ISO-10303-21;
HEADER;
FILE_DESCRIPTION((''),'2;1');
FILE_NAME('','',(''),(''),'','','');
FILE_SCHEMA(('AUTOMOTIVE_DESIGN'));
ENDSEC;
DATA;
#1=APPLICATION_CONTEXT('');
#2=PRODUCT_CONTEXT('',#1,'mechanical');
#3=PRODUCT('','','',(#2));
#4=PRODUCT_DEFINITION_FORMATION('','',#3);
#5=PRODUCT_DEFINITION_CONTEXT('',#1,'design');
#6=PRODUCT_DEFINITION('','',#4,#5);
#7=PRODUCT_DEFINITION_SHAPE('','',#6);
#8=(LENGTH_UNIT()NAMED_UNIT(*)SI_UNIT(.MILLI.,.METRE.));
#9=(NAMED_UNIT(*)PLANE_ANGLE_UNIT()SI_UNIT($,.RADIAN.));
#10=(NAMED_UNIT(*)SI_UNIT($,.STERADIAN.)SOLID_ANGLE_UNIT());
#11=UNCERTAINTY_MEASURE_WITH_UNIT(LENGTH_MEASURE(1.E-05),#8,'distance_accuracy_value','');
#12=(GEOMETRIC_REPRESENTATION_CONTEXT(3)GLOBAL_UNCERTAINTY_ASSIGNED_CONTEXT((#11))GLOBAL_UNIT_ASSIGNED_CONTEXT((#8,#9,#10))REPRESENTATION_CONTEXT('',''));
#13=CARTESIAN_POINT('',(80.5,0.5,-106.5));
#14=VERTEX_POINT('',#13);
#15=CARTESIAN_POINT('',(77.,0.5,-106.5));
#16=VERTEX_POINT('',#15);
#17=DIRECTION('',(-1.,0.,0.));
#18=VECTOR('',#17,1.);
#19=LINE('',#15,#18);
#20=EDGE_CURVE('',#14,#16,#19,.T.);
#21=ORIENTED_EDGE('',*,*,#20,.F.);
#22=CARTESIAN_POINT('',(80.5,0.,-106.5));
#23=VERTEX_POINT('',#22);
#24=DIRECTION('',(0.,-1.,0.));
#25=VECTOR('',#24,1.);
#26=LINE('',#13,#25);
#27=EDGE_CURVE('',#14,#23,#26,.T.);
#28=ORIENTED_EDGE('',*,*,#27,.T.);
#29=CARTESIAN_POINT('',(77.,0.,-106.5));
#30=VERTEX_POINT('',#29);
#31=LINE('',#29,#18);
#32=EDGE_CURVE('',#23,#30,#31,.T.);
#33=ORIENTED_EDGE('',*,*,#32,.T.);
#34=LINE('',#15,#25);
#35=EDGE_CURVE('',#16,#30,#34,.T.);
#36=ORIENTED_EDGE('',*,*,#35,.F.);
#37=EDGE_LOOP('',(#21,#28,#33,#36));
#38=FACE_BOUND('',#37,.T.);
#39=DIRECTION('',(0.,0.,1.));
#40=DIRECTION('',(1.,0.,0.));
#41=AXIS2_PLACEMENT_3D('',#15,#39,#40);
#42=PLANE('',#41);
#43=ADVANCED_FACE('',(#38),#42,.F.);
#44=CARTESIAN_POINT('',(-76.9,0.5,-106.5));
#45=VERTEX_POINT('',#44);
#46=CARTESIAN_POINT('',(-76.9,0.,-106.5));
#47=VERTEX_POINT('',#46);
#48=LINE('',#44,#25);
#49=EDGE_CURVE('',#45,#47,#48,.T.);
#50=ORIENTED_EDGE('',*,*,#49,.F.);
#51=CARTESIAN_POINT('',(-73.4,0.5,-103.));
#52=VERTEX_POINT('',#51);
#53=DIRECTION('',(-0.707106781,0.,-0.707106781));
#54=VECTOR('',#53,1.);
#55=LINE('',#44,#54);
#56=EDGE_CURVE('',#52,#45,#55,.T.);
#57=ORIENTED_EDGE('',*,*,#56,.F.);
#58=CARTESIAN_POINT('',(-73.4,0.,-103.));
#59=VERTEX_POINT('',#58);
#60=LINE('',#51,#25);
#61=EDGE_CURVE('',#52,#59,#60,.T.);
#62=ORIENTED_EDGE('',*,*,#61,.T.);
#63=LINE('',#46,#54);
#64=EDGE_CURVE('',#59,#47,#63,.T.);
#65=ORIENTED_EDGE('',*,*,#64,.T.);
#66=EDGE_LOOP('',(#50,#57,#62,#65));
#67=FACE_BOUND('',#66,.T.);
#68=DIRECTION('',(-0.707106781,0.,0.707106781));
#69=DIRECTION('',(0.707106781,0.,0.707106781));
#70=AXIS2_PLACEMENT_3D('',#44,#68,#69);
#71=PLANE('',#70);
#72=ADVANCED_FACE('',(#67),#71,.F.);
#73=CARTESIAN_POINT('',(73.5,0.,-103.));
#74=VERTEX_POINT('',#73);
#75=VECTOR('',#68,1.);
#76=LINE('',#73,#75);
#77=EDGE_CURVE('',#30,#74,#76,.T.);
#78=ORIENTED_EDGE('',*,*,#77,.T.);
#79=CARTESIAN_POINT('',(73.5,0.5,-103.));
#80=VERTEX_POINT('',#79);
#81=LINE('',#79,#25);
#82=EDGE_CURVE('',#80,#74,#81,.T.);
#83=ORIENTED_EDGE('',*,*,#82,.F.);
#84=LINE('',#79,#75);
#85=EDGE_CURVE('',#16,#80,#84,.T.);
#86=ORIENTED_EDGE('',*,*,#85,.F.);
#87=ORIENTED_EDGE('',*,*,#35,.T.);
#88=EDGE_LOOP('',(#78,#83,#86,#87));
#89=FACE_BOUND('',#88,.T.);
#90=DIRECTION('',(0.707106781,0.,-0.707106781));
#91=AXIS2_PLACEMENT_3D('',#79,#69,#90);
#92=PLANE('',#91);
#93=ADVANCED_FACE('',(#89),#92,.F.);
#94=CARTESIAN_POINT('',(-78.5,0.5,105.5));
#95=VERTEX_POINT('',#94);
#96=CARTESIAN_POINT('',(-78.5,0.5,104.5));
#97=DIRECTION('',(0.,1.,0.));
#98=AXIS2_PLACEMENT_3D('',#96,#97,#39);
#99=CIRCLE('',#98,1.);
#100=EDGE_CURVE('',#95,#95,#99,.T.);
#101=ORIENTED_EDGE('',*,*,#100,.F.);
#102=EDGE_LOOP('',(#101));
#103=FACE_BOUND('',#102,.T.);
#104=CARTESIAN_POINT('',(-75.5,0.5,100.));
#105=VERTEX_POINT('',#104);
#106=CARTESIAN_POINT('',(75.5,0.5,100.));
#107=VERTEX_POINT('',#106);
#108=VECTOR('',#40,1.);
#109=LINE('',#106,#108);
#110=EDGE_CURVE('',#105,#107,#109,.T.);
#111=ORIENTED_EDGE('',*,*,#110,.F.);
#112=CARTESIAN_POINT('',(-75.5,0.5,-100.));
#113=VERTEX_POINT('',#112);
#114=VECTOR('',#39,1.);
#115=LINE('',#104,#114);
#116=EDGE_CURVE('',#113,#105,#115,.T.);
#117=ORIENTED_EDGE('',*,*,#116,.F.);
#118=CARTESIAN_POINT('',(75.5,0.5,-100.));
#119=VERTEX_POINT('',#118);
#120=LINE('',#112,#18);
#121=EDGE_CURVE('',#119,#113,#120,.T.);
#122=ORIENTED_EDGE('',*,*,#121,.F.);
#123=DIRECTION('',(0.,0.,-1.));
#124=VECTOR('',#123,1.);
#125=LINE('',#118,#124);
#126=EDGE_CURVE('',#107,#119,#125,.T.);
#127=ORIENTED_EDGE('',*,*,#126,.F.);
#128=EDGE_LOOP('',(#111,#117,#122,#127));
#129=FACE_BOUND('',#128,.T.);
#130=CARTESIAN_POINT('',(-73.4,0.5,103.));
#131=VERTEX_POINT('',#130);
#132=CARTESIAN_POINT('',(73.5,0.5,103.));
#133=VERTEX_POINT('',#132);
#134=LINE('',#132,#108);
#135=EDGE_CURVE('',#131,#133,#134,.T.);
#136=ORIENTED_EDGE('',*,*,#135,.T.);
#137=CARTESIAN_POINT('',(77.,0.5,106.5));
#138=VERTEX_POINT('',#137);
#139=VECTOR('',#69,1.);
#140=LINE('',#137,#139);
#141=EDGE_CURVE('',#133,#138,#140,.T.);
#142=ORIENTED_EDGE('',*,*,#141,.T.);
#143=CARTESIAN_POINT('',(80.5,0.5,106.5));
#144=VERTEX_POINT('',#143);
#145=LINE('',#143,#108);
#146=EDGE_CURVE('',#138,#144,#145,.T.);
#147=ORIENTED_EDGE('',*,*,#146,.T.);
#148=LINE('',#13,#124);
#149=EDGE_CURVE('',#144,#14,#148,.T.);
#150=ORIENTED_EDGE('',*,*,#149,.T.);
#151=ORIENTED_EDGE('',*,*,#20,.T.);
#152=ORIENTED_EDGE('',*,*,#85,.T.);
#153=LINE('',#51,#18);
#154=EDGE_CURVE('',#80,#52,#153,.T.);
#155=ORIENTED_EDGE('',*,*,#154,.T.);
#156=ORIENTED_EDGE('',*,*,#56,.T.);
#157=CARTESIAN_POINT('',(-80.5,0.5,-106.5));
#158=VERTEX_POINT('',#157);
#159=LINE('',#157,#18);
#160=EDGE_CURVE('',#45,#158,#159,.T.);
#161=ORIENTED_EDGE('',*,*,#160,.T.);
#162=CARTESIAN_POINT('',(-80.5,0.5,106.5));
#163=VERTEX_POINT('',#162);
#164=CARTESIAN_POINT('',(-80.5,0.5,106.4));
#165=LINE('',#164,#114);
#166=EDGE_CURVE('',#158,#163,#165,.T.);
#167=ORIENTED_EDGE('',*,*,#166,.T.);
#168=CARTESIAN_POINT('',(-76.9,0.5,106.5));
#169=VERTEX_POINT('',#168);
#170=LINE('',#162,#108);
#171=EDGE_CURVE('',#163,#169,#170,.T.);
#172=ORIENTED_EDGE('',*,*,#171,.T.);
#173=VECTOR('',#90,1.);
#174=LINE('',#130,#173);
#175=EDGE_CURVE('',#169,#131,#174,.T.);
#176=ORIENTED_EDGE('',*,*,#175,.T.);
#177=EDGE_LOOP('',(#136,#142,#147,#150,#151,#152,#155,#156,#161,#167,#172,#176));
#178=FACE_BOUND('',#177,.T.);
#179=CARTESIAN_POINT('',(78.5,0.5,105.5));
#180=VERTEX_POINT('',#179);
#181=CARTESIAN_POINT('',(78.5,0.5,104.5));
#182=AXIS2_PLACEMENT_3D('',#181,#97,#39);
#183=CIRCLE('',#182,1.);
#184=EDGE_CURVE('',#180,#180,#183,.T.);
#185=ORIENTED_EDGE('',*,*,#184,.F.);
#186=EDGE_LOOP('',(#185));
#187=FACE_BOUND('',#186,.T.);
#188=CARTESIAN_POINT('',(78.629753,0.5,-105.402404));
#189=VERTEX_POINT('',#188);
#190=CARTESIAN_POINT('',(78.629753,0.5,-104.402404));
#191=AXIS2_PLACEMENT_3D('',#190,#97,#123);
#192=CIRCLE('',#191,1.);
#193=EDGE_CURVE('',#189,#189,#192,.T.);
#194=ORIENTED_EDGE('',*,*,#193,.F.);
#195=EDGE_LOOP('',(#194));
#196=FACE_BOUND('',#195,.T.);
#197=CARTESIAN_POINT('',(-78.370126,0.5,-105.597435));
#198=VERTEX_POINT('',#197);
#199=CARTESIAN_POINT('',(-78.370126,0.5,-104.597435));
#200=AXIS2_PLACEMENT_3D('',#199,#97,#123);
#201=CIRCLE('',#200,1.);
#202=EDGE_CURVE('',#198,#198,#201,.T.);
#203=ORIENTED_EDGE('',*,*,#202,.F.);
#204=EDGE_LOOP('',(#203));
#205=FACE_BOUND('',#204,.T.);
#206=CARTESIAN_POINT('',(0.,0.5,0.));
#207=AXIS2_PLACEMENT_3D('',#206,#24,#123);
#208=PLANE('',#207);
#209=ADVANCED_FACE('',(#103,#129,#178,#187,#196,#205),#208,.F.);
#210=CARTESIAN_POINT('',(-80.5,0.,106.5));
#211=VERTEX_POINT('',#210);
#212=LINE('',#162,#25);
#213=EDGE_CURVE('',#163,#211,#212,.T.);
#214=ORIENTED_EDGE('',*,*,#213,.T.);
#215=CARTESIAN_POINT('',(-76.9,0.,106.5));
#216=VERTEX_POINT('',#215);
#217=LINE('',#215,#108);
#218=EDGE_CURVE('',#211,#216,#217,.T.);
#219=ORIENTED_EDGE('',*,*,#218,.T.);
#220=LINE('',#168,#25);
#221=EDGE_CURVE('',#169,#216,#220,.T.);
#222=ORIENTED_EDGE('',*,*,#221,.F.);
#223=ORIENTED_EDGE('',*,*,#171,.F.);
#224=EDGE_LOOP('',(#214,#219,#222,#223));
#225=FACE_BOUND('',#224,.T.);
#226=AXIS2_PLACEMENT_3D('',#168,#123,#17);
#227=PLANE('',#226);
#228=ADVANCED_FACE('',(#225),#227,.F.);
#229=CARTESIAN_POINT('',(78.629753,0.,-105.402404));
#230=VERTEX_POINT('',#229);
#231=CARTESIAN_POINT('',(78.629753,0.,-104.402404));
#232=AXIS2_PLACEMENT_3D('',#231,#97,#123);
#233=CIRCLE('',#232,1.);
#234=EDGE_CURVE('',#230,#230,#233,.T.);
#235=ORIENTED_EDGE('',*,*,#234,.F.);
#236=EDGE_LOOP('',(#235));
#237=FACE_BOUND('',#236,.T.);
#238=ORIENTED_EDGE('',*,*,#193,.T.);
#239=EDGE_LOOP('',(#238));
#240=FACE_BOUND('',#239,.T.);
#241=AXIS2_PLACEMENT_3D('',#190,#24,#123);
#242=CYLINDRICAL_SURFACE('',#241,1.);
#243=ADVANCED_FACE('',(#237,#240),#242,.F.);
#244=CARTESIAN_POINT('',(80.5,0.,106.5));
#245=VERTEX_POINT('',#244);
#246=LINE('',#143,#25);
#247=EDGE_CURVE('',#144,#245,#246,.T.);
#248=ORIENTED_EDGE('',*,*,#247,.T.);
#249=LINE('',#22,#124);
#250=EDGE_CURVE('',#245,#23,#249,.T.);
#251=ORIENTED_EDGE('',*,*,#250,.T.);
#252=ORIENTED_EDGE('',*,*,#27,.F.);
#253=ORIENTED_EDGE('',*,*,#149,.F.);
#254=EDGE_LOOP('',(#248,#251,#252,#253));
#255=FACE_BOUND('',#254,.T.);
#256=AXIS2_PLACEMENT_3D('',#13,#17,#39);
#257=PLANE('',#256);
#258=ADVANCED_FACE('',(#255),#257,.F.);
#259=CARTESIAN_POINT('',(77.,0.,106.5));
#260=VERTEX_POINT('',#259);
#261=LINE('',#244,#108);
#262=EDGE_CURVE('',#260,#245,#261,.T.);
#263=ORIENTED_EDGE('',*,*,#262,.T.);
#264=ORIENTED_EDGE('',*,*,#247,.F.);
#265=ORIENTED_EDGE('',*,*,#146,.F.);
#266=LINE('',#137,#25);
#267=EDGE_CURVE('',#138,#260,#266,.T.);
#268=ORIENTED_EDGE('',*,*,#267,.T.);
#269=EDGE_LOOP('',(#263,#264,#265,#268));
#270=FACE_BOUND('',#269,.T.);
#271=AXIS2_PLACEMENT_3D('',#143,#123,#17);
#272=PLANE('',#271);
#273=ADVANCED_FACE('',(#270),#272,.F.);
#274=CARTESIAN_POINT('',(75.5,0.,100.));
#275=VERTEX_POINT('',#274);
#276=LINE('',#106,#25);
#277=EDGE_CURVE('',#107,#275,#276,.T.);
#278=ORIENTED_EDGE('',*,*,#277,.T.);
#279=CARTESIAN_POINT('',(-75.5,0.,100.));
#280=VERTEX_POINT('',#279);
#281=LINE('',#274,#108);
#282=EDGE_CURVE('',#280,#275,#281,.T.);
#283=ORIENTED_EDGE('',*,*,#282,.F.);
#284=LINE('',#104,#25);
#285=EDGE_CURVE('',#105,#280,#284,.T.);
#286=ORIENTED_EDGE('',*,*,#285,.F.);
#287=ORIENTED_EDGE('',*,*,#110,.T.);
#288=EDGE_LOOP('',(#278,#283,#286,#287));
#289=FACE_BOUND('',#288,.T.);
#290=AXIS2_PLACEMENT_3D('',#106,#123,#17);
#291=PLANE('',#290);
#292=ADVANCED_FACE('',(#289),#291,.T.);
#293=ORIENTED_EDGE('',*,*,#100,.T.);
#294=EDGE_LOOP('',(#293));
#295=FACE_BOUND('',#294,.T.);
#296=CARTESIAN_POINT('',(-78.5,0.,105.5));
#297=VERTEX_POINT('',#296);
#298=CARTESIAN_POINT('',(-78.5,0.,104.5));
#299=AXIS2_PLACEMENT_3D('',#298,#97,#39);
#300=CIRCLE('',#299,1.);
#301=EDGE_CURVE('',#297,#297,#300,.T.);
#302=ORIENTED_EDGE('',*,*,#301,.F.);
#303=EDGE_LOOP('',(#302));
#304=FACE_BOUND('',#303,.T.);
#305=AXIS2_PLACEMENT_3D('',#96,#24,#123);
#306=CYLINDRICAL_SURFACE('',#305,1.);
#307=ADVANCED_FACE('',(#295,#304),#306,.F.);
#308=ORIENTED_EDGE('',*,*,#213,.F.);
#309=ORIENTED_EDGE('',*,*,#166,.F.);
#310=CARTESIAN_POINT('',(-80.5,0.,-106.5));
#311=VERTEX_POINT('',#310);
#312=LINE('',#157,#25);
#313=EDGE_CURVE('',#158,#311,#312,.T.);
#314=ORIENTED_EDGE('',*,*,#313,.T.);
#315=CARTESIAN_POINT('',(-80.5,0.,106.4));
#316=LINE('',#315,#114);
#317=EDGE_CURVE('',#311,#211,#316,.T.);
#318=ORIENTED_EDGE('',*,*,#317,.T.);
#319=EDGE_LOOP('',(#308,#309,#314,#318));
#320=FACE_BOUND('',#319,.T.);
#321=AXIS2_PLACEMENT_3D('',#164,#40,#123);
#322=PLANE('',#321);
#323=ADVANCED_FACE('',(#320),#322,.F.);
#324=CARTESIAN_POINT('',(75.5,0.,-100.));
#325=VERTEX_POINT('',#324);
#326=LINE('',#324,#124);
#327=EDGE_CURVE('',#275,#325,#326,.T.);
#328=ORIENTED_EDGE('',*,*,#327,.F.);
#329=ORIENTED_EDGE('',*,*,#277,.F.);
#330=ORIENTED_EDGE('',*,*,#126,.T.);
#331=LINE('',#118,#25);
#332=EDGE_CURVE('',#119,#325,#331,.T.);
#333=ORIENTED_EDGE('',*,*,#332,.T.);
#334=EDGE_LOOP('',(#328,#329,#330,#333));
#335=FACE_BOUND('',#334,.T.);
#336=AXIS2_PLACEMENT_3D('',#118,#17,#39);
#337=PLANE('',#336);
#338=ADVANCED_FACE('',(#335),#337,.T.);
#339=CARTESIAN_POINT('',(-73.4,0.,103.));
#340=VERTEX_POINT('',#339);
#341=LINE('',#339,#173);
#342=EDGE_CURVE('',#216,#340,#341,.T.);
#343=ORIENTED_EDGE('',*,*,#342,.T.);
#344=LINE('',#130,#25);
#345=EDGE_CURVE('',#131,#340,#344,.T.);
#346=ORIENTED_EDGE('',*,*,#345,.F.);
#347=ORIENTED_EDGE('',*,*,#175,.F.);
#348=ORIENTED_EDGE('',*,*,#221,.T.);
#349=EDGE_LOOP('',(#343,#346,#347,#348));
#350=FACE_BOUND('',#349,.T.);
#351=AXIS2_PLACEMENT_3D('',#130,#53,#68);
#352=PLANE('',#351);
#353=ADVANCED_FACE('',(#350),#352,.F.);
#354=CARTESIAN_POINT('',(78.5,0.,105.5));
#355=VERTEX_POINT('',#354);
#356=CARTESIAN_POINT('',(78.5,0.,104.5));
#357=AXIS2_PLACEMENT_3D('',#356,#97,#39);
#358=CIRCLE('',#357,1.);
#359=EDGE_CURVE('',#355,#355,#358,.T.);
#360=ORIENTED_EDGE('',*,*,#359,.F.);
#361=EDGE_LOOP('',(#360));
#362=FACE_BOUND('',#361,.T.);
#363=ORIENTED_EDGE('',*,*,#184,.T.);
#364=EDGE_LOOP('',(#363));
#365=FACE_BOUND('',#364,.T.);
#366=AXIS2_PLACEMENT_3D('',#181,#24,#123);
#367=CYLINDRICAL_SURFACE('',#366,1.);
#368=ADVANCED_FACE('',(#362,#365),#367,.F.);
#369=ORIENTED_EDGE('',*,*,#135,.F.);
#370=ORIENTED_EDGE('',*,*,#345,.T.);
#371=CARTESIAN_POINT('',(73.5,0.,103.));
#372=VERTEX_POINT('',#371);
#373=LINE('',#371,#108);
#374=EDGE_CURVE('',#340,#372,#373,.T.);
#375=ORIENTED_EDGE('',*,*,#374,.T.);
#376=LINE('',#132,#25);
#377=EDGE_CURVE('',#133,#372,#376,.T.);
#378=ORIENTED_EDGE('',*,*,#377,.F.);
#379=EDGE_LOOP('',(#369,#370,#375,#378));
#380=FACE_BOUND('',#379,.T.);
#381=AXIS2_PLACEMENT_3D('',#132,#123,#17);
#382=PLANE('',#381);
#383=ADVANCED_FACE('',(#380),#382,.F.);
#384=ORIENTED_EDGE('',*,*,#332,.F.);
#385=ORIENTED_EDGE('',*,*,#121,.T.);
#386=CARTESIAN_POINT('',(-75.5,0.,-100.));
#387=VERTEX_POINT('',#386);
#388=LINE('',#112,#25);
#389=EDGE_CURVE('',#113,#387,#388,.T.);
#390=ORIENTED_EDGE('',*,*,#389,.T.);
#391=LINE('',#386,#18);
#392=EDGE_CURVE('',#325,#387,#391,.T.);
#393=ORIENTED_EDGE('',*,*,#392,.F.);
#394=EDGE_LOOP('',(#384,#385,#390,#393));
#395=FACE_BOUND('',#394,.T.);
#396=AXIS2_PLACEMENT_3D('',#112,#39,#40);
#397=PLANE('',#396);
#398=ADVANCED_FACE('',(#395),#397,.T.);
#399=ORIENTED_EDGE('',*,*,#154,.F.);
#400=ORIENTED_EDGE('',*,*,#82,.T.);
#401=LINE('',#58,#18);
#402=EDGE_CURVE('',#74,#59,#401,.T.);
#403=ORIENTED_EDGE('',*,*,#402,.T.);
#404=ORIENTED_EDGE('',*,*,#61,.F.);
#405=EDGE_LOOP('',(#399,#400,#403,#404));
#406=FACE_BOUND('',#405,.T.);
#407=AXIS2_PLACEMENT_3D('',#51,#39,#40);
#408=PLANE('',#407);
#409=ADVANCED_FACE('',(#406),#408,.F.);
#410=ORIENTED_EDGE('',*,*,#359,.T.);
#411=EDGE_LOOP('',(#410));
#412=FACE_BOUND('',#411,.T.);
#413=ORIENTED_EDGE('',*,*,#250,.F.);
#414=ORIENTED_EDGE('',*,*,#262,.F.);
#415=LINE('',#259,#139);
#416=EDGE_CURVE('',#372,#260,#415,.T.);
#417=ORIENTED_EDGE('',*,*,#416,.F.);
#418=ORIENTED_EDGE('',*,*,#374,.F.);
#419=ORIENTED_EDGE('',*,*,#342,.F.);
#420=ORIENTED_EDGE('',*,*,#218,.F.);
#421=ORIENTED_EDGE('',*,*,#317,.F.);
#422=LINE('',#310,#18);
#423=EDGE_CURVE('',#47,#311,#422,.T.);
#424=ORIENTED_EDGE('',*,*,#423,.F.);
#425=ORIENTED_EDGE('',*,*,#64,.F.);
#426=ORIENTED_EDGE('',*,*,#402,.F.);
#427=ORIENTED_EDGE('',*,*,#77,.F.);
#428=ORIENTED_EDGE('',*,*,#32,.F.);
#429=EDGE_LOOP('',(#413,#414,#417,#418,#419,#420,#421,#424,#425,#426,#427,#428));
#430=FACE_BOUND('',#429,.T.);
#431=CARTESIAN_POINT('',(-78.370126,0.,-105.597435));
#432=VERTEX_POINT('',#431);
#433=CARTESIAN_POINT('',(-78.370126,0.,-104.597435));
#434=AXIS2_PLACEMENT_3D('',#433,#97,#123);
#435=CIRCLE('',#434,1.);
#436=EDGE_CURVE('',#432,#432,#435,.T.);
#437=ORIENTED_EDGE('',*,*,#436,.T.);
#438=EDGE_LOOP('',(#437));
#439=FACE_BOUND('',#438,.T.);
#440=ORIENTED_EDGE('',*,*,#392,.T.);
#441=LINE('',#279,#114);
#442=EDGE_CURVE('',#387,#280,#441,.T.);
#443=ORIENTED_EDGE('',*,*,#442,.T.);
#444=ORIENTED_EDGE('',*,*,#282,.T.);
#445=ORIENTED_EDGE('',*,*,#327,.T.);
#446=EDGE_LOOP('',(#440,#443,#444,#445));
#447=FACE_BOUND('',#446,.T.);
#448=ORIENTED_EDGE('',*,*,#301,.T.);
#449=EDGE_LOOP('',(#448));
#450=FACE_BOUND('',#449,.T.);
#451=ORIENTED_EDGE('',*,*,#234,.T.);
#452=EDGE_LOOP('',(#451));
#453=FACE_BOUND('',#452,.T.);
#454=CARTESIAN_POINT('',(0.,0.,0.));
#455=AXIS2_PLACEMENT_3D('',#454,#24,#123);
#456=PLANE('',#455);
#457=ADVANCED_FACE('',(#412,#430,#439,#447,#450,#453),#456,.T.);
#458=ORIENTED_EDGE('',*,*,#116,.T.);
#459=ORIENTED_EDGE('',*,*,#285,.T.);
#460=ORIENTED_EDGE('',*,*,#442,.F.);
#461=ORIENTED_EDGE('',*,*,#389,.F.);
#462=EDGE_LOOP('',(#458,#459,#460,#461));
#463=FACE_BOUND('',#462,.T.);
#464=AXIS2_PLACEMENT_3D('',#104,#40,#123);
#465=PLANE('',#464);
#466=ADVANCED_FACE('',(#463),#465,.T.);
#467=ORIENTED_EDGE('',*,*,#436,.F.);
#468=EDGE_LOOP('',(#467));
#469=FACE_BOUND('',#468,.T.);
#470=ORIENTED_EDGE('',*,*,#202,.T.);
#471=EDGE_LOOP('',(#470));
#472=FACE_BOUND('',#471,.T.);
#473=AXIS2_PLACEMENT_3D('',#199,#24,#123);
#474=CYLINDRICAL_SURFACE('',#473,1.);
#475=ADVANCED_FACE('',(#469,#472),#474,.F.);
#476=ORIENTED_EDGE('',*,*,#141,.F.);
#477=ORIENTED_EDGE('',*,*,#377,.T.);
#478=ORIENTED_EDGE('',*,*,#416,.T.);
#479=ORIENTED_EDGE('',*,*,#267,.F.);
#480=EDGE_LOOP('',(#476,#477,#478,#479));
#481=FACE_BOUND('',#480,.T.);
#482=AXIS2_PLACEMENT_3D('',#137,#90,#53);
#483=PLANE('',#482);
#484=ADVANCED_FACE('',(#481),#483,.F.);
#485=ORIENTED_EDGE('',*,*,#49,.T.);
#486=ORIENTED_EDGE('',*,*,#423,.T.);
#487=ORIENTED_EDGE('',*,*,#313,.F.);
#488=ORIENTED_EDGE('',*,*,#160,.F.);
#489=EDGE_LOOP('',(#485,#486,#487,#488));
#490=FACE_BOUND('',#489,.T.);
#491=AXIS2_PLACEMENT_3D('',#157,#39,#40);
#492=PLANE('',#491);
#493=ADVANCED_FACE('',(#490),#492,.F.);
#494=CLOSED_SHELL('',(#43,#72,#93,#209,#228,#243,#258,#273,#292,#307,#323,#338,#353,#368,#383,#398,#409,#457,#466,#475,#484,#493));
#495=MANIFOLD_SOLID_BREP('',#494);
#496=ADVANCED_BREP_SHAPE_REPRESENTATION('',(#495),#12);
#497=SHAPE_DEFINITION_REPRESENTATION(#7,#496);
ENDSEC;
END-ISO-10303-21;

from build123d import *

# Parameters (mm, degrees)
CROQUIS1_R              = 1
CROQUIS1_W              = 151
CROQUIS1_H              = 200
SALIENTE_EXTRUIR1_DEPTH = 0.5


with BuildPart() as part:
    # Croquis1 → Saliente-Extruir1 (new body)
    with BuildSketch(Plane(origin=(0, 0, 0), x_dir=(1, 0, 0), z_dir=(0, 1, 0))):
        Polygon((-80.5, -106.4), (-80.5, -106.5), (-80.4, -106.5), (-76.9, -106.5), (-73.4, -103), (73.5, -103), (77, -106.5), (80.5, -106.5), (80.5, 106.5), (77, 106.5), (73.5, 103), (-73.4, 103), (-76.9, 106.5), (-80.5, 106.5), align=None)
        with Locations((-78.5, -104.5)):
            Circle(CROQUIS1_R, mode=Mode.SUBTRACT)
        with Locations((78.5, -104.5)):
            Circle(CROQUIS1_R, mode=Mode.SUBTRACT)
        with Locations((78.629753046, 104.40240388)):
            Circle(CROQUIS1_R, mode=Mode.SUBTRACT)
        with Locations((-78.370125817, 104.597434861)):
            Circle(CROQUIS1_R, mode=Mode.SUBTRACT)
        Rectangle(CROQUIS1_W, CROQUIS1_H, mode=Mode.SUBTRACT)
    extrude(amount=SALIENTE_EXTRUIR1_DEPTH)


solid = part.part
